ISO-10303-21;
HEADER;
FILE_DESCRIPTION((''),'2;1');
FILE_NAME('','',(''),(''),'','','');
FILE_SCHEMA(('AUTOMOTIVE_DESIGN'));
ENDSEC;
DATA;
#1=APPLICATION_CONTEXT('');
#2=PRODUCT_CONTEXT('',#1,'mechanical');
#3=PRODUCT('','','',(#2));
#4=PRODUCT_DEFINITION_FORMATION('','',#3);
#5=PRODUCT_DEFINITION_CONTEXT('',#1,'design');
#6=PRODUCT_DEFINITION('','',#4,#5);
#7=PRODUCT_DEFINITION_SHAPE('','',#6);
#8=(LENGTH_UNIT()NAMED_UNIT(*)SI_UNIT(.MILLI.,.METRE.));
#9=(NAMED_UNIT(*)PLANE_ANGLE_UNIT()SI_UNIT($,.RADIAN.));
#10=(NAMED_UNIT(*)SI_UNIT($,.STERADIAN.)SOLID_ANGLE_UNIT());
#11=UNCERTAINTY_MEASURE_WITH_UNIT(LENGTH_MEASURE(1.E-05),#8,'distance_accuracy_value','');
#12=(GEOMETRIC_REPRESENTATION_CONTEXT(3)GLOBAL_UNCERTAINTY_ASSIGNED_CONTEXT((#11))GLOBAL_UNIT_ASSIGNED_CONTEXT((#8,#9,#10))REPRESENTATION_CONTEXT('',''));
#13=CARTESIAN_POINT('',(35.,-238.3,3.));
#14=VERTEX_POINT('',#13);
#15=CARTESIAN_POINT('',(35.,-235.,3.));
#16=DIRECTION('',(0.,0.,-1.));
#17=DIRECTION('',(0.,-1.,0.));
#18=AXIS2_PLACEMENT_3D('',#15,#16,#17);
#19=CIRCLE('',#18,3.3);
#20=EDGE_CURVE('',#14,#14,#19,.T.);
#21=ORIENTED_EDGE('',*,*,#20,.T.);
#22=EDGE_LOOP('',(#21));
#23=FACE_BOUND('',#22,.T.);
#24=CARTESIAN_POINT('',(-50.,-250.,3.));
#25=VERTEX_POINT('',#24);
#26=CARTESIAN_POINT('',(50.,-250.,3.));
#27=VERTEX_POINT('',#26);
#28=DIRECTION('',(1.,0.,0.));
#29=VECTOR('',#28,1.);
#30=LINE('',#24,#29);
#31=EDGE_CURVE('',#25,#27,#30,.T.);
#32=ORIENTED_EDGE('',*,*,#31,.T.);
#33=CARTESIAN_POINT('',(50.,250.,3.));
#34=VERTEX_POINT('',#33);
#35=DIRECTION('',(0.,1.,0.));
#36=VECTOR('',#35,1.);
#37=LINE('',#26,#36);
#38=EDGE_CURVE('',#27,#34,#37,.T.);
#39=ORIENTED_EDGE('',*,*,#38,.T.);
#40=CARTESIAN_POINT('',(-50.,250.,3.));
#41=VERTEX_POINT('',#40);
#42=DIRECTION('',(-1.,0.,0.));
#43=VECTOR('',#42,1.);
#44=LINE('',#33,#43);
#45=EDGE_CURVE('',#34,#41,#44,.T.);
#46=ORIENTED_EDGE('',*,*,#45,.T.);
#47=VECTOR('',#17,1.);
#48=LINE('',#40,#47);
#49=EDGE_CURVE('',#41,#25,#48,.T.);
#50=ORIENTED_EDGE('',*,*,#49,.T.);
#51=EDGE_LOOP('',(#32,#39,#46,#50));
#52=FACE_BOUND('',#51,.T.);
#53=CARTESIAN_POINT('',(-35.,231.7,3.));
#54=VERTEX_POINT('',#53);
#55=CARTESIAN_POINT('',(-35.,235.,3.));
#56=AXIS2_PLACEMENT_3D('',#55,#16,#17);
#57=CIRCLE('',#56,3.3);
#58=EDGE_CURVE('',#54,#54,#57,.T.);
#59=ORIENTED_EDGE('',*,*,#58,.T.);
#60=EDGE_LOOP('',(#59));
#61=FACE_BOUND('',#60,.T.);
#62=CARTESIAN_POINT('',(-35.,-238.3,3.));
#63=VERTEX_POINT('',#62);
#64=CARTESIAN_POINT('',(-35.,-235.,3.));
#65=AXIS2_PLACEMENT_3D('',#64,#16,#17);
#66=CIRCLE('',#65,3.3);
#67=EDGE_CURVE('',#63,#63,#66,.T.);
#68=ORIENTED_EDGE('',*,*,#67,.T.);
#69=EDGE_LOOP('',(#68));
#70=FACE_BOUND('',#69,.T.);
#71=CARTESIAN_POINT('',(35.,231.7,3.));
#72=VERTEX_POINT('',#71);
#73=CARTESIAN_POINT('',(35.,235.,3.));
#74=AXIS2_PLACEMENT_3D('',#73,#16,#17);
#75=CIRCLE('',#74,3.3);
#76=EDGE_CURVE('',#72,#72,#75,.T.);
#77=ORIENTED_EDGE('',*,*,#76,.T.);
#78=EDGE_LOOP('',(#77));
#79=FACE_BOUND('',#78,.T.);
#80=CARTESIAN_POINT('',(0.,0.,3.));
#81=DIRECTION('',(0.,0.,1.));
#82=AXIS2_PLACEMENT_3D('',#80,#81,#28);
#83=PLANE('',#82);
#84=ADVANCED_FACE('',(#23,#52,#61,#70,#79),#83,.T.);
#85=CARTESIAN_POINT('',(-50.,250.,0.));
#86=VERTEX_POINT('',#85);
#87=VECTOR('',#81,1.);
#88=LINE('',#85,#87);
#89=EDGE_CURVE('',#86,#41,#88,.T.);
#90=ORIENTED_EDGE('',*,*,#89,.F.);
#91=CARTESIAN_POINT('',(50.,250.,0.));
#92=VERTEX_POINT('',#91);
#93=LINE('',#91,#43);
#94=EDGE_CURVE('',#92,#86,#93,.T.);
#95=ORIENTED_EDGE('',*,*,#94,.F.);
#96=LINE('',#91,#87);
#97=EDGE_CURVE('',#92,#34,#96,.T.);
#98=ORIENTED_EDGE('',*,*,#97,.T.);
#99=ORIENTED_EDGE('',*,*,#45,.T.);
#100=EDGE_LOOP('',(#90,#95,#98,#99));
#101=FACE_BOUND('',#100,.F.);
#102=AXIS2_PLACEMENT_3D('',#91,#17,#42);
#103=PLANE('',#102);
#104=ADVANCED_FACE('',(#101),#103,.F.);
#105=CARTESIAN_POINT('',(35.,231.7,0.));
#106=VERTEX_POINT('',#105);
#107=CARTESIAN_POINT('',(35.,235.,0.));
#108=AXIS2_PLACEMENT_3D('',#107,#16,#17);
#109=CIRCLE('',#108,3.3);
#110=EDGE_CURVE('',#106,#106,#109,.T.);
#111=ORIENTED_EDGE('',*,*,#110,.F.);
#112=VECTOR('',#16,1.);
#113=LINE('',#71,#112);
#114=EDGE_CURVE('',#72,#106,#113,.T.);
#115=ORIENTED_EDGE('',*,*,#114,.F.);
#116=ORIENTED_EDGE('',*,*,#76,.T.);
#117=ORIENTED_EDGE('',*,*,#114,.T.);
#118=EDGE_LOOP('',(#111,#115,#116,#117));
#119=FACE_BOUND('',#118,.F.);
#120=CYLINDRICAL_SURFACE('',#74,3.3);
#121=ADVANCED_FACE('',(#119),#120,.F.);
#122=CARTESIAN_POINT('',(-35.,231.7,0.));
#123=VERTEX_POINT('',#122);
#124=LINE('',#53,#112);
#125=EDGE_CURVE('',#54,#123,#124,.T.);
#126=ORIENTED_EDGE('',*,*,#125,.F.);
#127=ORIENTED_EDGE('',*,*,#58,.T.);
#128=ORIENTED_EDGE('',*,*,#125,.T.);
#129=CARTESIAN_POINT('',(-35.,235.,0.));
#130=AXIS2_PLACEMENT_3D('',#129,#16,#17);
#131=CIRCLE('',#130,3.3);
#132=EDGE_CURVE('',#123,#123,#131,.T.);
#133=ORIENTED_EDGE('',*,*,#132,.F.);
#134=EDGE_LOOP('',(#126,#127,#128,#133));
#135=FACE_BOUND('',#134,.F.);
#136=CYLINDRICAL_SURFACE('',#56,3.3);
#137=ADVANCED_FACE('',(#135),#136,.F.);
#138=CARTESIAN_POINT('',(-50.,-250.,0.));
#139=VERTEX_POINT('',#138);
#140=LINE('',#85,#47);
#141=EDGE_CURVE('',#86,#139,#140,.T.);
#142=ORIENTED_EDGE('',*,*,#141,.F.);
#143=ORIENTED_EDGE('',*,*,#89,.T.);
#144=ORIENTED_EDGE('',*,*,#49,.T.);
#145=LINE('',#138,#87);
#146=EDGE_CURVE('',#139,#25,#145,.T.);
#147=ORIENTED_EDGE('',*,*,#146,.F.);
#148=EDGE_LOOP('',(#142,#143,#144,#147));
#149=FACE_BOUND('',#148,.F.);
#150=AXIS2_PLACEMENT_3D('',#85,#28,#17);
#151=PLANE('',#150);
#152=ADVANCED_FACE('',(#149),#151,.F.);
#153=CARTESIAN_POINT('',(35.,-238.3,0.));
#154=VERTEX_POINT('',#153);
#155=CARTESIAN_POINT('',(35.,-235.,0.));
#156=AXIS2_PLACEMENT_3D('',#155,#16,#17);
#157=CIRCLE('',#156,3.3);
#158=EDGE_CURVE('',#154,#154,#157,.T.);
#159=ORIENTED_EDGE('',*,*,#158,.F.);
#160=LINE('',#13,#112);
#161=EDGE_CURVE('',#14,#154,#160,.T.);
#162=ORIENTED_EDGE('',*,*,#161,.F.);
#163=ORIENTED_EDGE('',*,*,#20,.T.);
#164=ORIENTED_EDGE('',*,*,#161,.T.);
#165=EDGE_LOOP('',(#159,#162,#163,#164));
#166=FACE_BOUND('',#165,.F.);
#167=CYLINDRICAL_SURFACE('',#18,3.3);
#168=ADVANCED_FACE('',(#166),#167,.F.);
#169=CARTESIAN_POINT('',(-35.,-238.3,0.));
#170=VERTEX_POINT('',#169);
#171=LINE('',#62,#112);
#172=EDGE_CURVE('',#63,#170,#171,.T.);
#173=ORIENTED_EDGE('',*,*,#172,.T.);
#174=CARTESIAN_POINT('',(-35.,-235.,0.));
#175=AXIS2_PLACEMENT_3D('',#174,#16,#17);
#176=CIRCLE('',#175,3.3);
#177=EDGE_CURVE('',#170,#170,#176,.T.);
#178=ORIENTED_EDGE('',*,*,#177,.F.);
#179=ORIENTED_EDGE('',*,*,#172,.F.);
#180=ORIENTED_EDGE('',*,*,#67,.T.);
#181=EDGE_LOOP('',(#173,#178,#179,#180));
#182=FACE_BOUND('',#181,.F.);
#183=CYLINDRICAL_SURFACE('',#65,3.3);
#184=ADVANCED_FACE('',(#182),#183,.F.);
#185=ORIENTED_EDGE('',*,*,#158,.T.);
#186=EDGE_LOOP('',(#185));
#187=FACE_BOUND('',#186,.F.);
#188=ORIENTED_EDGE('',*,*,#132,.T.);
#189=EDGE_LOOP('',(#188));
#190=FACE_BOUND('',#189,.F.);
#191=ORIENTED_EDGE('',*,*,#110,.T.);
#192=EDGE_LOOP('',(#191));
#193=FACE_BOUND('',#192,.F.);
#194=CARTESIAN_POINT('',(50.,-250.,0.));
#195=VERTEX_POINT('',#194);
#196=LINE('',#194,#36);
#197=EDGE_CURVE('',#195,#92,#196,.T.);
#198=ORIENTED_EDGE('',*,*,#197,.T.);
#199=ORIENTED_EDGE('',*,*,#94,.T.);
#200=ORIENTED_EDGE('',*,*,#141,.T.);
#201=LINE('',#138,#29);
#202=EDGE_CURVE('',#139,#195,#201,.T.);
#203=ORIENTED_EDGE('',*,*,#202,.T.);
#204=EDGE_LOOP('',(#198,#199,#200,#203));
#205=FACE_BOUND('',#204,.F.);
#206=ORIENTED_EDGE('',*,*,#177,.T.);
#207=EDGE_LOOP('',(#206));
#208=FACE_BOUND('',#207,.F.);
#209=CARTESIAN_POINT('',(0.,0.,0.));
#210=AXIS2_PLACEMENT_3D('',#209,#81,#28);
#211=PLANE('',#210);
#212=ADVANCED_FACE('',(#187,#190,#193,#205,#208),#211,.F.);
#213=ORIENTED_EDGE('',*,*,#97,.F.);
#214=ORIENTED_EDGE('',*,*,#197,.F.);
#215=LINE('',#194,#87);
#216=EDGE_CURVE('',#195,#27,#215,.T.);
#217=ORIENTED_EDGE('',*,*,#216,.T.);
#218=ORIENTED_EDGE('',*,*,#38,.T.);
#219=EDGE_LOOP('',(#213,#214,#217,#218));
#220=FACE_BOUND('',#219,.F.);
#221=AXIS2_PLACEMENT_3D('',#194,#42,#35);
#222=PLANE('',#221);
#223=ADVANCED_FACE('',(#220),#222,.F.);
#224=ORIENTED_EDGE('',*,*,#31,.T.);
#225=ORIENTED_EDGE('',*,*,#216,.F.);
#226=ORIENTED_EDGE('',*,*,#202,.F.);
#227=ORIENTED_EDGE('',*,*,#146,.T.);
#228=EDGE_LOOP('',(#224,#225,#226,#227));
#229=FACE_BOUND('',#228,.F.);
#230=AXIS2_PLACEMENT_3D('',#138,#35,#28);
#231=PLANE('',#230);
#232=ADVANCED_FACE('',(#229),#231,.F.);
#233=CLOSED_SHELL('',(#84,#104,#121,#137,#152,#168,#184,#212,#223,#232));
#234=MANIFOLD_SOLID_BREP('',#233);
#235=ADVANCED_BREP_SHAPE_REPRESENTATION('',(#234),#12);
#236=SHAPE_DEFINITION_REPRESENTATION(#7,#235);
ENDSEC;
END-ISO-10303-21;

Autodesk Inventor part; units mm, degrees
ref_plane "YZ Plane" through (0, 0, 0) normal (1, 0, 0) x (0, 1, 0)
ref_plane "XZ Plane" through (0, 0, 0) normal (0, 1, 0) x (-1, 0, 0)
ref_plane "XY Plane" through (0, 0, 0) normal (0, 0, 1) x (1, 0, 0)
sketch "スケッチ2" plane through (0, 0, 0) normal (0, 0, 1) x (1, 0, 0)
  line L0 (50, 250) -> (-50, 250)
  line L1 (-50, 250) -> (-50, -250)
  line L2 (-50, -250) -> (50, -250)
  line L3 (50, -250) -> (50, 250)
  line L4 (50, 250) -> (-50, -250) construction
  line L5 (-50, 250) -> (50, -250) construction
  point P0 (0, 0)
  dimension "d0" = 100
  dimension "d1" = 500
extrude "押し出し1" add sketch "スケッチ2" along normal blind 3
sketch "スケッチ3" plane through (0, 0, 3) normal (0, 0, 1) x (1, 0, 0)
  line L0 (-50, 250) -> (-50, -250) construction
  line L1 (-50, -250) -> (50, -250) construction
  line L2 (50, -250) -> (50, 250) construction
  line L3 (50, 250) -> (-50, 250) construction
  line L4 (35, 235) -> (-35, 235) construction
  line L5 (-35, 235) -> (-35, -235) construction
  line L6 (-35, -235) -> (35, -235) construction
  line L7 (35, -235) -> (35, 235) construction
  line L8 (35, 235) -> (-35, -235) construction
  line L9 (-35, 235) -> (35, -235) construction
  point P0 (0, 0)
  dimension "d4" = 15
  dimension "d5" = 15
hole "穴1" at (-35, 235, 3) at (35, 235, 3) at (35, -235, 3) at (-35, -235, 3) direction (0, 0, -1) diameter 6.6 end through all
equation "\"d5\" = d4"
properties part number "side_panel"
